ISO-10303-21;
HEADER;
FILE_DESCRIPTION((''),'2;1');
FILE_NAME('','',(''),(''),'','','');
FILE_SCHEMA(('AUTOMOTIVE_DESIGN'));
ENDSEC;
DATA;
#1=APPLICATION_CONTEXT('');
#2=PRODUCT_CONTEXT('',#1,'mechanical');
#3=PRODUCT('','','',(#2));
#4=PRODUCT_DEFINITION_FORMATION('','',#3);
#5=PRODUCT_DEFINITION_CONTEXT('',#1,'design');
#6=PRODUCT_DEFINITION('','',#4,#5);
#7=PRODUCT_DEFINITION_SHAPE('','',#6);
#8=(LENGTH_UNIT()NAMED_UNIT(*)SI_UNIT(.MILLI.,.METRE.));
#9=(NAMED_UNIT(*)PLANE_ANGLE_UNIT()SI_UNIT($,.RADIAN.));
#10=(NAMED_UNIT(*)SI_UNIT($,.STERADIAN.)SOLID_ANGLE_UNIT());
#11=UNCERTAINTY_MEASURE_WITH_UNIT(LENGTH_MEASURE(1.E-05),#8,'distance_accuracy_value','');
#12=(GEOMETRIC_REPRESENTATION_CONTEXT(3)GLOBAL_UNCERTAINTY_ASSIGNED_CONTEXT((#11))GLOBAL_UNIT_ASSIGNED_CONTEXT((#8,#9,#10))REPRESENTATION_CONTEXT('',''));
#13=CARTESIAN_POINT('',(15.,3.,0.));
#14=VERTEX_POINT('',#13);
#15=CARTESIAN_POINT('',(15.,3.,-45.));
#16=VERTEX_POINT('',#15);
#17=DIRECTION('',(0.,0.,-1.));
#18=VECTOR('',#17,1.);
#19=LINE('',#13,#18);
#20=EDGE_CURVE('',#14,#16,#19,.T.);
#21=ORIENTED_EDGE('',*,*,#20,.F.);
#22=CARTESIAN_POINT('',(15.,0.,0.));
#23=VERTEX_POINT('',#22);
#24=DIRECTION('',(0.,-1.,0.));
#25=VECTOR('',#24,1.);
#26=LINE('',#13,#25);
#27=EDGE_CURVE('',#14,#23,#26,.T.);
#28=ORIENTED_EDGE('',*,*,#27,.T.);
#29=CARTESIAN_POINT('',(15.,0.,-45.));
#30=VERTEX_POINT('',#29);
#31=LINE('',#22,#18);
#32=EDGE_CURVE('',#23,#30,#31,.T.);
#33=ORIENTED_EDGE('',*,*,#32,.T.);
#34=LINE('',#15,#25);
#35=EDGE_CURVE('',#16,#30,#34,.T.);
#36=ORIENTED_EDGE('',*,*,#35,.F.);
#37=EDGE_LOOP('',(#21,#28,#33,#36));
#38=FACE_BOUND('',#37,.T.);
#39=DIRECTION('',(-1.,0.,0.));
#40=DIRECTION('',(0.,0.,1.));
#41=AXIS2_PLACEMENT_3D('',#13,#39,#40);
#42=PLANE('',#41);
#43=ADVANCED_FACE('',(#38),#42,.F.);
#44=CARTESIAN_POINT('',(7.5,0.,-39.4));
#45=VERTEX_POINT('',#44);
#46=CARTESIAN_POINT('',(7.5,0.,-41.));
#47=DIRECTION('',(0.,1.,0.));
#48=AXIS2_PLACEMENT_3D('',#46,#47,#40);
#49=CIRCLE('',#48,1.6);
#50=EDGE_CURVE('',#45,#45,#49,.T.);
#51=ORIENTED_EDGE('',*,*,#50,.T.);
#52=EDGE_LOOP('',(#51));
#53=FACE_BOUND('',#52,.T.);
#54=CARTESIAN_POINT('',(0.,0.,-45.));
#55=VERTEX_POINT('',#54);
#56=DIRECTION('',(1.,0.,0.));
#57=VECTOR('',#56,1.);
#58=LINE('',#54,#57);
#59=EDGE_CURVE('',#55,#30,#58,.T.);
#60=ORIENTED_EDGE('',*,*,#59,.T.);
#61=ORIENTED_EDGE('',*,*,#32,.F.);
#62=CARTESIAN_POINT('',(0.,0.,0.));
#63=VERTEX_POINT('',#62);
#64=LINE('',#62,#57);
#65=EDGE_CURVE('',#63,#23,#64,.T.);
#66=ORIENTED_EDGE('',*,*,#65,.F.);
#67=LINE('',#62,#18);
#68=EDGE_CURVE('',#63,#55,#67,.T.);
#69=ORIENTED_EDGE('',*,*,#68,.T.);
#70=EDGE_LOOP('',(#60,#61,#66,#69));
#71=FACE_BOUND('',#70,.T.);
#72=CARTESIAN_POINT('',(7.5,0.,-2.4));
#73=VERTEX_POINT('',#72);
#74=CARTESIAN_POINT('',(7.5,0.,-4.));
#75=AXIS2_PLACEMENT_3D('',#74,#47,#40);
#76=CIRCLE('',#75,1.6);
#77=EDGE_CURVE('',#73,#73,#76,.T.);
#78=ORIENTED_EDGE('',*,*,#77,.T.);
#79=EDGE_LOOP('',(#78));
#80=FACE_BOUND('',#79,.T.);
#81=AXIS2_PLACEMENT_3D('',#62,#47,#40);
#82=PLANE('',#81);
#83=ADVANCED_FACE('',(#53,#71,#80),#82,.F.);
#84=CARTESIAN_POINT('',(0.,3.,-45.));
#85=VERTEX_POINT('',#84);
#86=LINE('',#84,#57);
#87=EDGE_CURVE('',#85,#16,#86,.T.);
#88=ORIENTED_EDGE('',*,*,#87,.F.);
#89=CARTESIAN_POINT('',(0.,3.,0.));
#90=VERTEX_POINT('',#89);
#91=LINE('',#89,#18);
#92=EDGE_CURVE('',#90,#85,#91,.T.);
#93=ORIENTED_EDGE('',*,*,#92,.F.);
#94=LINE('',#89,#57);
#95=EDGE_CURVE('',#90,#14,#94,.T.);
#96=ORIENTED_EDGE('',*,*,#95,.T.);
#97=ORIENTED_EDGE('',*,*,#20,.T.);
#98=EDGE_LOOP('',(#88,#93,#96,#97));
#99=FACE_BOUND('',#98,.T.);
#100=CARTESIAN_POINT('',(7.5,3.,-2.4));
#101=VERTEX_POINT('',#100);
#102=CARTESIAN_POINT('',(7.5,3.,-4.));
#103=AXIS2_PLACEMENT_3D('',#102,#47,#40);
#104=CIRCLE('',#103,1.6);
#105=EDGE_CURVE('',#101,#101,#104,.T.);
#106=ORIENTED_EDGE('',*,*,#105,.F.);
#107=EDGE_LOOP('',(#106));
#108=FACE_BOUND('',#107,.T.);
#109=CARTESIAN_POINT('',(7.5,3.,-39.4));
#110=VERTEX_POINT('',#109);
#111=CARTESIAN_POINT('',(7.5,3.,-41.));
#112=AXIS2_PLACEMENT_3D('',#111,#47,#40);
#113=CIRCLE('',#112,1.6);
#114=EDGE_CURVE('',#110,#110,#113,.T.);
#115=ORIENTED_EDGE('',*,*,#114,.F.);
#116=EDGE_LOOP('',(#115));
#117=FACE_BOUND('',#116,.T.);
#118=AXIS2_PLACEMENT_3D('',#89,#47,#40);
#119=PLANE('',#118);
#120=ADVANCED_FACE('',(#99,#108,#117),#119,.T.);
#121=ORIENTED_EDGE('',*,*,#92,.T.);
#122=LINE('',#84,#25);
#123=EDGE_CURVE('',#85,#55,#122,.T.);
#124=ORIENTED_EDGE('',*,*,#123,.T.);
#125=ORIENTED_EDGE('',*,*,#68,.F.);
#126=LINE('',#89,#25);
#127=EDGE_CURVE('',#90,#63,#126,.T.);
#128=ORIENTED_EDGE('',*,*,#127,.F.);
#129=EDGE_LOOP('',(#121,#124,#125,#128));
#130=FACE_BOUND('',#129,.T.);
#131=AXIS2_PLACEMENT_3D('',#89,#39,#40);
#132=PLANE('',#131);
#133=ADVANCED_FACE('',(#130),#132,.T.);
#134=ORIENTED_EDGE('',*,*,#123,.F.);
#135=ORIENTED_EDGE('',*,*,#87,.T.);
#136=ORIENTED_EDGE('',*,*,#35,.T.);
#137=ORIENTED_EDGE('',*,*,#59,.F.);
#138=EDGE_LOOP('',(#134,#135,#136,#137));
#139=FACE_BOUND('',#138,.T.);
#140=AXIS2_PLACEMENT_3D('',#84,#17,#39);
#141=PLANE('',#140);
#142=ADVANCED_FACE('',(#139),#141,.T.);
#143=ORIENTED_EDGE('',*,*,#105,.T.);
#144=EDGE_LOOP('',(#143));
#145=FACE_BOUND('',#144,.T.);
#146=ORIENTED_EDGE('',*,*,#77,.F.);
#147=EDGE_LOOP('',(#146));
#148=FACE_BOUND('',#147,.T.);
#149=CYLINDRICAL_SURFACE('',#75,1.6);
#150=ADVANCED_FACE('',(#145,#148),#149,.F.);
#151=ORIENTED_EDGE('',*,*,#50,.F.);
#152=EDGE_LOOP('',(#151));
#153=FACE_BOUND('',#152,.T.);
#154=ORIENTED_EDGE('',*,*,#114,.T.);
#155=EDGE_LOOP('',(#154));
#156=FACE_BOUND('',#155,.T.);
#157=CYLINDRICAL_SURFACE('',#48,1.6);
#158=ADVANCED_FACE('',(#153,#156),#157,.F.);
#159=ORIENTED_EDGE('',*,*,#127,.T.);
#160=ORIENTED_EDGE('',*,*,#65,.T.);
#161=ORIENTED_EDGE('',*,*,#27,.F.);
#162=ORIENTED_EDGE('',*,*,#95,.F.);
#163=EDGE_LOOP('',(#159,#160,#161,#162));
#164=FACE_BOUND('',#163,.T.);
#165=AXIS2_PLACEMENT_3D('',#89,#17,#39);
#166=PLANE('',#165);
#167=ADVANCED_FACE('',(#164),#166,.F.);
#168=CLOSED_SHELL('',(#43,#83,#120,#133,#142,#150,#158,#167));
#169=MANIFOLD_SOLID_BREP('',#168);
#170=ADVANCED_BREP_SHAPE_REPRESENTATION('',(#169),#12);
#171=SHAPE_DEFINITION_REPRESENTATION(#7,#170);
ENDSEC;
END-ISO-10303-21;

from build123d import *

# Parameters (mm, degrees)
SKETCH1_W           = 15
SKETCH1_H           = 45
BOSS_EXTRUDE1_DEPTH = 3
SKETCH2_R           = 1.6
CUT_EXTRUDE1_DEPTH  = 3


with BuildPart() as part:
    # Sketch1 → Boss-Extrude1 (new body)
    with BuildSketch(Plane(origin=(0, 0, 0), x_dir=(1, 0, 0), z_dir=(0, 1, 0))):
        with Locations((7.5, 22.5)):
            Rectangle(SKETCH1_W, SKETCH1_H)
    extrude(amount=BOSS_EXTRUDE1_DEPTH)

    # Sketch2 → Cut-Extrude1 (cut)
    with BuildSketch(Plane(origin=(0, 3, 0), x_dir=(1, 0, 0), z_dir=(0, 1, 0))):
        with Locations(Location((7.5, 4, 0), (0, 0, 270))):
            Circle(SKETCH2_R)
        with Locations(Location((7.5, 41, 0), (0, 0, 270))):
            Circle(SKETCH2_R)
    extrude(amount=-CUT_EXTRUDE1_DEPTH, mode=Mode.SUBTRACT)


solid = part.part
